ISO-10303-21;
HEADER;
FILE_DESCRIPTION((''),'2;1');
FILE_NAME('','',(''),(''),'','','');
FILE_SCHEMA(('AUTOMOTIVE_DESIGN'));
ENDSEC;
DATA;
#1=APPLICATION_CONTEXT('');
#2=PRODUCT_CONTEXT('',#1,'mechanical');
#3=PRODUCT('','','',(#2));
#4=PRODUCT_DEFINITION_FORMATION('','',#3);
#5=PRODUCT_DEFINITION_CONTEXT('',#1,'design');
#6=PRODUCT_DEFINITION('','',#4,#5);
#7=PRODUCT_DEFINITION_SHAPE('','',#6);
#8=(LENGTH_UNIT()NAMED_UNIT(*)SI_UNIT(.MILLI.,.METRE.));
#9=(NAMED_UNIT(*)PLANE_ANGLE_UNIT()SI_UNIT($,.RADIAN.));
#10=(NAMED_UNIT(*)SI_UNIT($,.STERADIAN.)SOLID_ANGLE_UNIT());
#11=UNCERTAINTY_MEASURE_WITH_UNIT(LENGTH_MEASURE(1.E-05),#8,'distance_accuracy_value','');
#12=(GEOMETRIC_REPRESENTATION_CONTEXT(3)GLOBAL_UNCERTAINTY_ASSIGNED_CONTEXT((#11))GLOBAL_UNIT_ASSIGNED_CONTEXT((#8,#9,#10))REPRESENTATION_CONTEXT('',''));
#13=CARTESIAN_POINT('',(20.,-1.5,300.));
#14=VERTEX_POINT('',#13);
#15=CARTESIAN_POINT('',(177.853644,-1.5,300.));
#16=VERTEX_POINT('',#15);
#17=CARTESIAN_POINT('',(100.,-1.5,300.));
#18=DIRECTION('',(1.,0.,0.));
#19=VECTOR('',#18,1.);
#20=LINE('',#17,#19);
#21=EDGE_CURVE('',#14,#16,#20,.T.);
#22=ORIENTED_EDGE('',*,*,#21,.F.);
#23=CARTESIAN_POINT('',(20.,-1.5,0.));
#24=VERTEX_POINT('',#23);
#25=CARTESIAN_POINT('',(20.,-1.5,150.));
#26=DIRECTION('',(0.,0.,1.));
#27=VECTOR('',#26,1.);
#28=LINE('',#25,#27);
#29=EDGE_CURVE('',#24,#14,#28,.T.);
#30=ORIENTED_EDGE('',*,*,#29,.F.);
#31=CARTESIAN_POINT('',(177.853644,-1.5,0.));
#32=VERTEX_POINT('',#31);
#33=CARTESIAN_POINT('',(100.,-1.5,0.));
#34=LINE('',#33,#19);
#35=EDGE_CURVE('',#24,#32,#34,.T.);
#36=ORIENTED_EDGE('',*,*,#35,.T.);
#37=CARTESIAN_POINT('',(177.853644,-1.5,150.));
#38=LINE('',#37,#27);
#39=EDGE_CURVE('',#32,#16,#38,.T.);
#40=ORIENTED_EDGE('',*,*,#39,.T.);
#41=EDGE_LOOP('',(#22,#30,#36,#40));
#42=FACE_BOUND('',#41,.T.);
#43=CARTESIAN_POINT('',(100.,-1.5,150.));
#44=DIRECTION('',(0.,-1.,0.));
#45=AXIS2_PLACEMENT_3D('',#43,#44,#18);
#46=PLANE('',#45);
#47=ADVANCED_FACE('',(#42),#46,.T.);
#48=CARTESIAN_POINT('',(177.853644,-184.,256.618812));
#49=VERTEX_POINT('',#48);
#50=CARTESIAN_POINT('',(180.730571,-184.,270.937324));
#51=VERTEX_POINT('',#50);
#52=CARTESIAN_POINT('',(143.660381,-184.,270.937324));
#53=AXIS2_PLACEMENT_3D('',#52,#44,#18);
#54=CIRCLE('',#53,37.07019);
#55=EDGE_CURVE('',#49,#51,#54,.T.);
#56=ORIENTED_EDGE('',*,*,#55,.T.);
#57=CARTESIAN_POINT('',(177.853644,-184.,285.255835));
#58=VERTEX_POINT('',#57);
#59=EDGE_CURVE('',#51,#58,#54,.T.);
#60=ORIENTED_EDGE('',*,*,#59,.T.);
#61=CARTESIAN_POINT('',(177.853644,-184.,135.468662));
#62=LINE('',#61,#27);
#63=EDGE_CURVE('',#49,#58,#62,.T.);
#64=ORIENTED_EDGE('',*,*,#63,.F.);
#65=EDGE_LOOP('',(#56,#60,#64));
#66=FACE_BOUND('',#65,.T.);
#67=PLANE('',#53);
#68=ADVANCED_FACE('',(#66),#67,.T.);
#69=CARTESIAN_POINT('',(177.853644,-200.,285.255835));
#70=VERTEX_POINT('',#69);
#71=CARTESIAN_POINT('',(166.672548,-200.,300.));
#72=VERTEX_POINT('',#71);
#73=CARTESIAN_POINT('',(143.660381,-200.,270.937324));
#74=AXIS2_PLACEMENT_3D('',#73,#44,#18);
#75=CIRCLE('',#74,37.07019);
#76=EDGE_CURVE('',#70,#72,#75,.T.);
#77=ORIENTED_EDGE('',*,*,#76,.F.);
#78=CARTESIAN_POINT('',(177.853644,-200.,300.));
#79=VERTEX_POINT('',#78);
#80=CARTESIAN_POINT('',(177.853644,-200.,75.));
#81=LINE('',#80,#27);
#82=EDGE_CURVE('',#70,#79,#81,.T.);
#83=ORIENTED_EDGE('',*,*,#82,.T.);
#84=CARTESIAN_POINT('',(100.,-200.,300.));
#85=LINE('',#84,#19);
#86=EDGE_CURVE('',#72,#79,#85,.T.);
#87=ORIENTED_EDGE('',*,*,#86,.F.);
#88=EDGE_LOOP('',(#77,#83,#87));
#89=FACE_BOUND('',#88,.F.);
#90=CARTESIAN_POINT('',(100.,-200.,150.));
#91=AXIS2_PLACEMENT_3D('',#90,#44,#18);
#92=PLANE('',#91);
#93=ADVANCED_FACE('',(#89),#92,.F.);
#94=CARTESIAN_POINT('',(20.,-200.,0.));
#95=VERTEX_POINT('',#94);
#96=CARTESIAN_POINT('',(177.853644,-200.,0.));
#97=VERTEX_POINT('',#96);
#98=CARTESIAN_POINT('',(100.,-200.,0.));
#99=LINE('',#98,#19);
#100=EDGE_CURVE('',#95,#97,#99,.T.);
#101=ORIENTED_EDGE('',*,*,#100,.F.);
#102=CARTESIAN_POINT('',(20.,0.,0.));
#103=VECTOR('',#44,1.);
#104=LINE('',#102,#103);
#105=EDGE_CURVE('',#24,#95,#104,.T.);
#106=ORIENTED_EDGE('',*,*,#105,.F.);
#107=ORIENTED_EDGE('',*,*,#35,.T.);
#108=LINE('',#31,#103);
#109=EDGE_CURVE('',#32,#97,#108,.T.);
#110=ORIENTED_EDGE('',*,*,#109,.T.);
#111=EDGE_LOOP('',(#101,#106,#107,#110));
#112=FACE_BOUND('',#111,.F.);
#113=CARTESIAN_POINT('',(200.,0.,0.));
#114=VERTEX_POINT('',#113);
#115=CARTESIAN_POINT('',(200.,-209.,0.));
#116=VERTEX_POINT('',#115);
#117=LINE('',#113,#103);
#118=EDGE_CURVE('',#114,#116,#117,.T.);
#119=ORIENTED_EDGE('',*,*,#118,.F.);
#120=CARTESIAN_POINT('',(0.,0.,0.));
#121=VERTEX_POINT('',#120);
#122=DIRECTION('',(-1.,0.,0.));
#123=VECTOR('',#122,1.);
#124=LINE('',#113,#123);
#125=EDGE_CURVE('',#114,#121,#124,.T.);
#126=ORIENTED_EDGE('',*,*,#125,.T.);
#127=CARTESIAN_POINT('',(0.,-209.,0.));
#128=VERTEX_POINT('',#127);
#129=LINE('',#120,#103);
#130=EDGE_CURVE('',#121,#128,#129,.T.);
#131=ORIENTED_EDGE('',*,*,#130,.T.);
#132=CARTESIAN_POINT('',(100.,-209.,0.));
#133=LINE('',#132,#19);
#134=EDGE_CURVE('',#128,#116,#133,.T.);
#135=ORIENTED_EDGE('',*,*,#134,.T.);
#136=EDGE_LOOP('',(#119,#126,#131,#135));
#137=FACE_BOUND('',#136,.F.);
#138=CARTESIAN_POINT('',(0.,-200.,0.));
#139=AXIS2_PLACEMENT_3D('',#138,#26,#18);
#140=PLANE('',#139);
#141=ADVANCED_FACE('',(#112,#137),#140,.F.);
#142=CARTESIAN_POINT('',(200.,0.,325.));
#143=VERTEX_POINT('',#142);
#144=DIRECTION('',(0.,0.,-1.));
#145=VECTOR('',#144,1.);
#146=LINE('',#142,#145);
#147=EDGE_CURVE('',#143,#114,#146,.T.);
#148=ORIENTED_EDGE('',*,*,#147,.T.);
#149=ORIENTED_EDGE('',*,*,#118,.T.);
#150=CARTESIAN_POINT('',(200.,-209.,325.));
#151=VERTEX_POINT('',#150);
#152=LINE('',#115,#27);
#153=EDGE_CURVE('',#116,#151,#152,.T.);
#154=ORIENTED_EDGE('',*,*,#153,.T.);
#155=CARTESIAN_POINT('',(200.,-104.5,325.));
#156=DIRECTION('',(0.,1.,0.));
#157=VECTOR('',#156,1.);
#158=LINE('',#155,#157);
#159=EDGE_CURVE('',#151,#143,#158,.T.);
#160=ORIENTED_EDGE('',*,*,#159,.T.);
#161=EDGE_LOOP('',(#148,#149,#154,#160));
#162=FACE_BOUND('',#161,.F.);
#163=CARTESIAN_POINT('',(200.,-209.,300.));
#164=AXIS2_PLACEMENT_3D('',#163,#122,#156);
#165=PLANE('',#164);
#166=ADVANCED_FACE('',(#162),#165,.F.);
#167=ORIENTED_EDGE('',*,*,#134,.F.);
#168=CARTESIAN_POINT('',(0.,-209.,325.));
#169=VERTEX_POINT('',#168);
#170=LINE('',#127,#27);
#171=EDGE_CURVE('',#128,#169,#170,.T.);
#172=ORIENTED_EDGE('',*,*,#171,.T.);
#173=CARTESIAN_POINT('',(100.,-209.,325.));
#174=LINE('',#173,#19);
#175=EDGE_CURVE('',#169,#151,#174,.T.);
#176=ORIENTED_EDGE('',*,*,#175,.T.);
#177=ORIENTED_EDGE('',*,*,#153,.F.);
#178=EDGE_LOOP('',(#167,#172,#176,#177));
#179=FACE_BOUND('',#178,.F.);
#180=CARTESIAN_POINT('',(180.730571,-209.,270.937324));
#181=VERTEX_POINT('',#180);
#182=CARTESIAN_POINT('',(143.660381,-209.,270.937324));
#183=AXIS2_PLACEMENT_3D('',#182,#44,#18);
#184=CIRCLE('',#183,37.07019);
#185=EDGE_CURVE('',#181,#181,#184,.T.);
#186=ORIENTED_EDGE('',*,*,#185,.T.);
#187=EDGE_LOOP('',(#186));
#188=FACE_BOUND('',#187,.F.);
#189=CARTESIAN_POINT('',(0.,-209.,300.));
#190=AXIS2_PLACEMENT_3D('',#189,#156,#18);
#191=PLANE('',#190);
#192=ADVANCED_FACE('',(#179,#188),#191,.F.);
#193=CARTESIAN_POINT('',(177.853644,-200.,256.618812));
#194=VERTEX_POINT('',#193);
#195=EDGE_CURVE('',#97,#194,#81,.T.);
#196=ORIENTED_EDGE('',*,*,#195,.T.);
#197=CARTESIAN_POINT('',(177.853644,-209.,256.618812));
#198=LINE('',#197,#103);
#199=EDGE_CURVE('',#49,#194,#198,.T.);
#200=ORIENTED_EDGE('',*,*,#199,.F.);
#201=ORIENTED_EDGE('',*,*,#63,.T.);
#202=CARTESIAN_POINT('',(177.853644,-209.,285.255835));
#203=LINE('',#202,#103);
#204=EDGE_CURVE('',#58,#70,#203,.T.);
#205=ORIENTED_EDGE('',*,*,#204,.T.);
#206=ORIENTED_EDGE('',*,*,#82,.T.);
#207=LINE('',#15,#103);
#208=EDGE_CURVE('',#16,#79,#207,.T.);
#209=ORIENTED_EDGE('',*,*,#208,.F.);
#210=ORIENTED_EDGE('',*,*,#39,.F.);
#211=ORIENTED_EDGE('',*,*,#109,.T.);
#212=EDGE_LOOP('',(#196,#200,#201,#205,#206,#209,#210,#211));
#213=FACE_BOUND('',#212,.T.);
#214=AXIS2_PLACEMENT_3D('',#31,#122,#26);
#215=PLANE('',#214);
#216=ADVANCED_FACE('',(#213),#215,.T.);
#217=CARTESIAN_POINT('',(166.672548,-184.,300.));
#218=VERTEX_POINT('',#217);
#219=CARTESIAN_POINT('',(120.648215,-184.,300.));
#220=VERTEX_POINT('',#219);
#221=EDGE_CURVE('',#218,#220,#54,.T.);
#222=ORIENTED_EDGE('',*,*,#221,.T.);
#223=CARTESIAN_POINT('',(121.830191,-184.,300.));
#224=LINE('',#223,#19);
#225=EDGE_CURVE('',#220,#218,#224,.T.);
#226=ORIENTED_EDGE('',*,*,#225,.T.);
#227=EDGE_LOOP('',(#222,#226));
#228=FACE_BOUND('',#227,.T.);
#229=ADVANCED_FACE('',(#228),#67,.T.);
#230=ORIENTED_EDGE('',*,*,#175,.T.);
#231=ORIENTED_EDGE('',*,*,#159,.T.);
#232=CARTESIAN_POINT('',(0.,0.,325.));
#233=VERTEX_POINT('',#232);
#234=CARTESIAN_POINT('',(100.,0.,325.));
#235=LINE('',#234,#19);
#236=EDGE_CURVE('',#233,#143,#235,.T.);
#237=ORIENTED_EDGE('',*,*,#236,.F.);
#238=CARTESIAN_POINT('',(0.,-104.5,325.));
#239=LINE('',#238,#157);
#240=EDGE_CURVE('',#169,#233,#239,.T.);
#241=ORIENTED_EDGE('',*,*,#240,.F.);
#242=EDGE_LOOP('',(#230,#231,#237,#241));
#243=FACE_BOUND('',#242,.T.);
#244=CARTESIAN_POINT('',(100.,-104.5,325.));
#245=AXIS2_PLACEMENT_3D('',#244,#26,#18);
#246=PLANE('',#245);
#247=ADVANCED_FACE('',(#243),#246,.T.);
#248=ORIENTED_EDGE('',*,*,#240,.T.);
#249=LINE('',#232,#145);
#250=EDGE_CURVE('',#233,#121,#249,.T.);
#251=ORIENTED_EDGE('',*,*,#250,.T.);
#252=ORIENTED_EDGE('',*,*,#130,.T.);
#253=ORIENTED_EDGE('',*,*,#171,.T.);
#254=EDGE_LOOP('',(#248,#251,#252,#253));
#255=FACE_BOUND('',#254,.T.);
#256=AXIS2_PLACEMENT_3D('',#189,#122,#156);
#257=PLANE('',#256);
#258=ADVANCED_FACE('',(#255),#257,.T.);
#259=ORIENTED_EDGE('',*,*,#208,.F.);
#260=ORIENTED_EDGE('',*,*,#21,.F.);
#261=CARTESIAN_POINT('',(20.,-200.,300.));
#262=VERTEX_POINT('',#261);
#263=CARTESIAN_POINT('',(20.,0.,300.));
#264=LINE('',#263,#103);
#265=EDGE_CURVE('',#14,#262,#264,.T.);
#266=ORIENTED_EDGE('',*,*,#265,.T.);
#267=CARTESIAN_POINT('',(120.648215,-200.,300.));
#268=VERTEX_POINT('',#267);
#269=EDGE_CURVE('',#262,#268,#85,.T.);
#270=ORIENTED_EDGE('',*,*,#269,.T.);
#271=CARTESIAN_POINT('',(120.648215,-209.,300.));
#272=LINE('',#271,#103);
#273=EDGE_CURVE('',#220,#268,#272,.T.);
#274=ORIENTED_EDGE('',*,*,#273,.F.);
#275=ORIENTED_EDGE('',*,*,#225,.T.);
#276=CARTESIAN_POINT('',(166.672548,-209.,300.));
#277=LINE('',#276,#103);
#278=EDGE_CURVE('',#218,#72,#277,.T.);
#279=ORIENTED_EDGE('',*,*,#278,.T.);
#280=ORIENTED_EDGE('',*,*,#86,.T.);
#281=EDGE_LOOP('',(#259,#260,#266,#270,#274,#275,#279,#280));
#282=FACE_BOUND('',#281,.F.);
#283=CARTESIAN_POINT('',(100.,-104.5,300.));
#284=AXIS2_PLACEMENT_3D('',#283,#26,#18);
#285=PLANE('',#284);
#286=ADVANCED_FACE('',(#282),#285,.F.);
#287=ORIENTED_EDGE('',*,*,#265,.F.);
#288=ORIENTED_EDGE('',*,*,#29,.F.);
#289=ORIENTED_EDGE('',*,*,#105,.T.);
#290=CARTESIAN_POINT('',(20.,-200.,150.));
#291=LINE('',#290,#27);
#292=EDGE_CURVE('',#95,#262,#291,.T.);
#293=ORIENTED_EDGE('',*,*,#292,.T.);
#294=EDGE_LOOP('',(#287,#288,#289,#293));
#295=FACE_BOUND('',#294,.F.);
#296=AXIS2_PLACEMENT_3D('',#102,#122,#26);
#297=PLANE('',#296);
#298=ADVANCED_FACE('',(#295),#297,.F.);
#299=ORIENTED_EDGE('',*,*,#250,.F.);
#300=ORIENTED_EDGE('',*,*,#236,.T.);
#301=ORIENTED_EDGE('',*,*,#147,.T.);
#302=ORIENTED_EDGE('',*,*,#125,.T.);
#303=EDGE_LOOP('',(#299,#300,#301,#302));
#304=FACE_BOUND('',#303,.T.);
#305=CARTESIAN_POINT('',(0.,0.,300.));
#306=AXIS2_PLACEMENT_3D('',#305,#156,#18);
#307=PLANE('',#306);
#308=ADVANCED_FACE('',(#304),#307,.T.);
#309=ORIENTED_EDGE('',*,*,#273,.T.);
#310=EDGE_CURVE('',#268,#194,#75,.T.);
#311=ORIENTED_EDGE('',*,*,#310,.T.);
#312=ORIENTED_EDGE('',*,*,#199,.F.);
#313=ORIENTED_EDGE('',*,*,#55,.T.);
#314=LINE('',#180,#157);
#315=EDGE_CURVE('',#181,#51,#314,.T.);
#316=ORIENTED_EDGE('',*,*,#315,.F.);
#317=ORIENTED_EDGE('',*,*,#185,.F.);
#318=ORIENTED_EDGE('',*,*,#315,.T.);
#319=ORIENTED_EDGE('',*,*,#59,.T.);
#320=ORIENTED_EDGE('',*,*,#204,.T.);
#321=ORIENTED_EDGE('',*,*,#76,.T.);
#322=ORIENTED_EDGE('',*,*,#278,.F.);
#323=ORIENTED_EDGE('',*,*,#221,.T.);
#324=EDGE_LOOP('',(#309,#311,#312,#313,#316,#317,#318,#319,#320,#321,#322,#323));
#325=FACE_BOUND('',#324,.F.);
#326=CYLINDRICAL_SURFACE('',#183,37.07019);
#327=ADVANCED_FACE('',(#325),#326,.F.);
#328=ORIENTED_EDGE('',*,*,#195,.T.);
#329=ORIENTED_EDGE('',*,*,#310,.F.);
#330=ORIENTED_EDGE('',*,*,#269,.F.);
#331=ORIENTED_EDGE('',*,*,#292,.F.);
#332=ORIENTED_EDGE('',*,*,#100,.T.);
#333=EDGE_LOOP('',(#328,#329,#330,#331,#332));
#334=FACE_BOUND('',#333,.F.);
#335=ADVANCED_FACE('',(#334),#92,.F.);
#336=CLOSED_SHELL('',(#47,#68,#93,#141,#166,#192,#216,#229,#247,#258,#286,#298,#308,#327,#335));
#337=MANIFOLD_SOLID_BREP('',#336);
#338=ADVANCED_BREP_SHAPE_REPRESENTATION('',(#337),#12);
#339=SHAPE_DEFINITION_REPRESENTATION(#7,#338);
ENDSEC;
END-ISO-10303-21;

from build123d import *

# Parameters (mm, degrees)
F1_W      = 20
F1_H      = 300
F2_DEPTH  = 200
F0_W      = 200
F0_H      = 300
F3_DEPTH  = 1.5
F4_W      = 22.1463561058
F4_H      = 300
F5_DEPTH  = 200
F6_W      = 200
F6_H      = 300
F7_DEPTH  = 9
F8_W      = 200
F8_H      = 209
F9_DEPTH  = 25
F10_R     = 37.0701897266
F11_DEPTH = 25


with BuildPart() as f2:
    # F1 (on face) → F2 (new body)
    with BuildSketch(Plane.XZ):
        with Locations((10, 150)):
            Rectangle(F1_W, F1_H)
    extrude(amount=F2_DEPTH)

    # F0 (on Front) + F1 (on face) → F3 (join)
    with BuildSketch(Plane.XZ):
        with Locations((100, 150)):
            Rectangle(F0_W, F0_H)
    with BuildSketch(Plane.XZ):
        with Locations((10, 150)):
            Rectangle(F1_W, F1_H)
    extrude(amount=F3_DEPTH)

    # F4 (on face) → F5 (join)
    with BuildSketch(Plane.XZ.offset(1.5)):
        with Locations((188.9268219471, 150)):
            Rectangle(F4_W, F4_H)
    extrude(amount=F5_DEPTH)

    # F6 (on face) → F7 (join)
    with BuildSketch(Plane.XZ.offset(200)):
        with Locations((100, 150)):
            Rectangle(F6_W, F6_H)
    extrude(amount=F7_DEPTH)

    # F8 (on face) → F9 (join)
    with BuildSketch(Plane.XY.offset(300)):
        with Locations((100, -104.5)):
            Rectangle(F8_W, F8_H)
    extrude(amount=F9_DEPTH)

    # F10 (on face) → F11 (cut)
    with BuildSketch(Plane.XZ.offset(209)):
        with Locations((143.6603814363, 270.9373235703)):
            Circle(F10_R)
    extrude(amount=-F11_DEPTH, mode=Mode.SUBTRACT)


solid = f2.part
